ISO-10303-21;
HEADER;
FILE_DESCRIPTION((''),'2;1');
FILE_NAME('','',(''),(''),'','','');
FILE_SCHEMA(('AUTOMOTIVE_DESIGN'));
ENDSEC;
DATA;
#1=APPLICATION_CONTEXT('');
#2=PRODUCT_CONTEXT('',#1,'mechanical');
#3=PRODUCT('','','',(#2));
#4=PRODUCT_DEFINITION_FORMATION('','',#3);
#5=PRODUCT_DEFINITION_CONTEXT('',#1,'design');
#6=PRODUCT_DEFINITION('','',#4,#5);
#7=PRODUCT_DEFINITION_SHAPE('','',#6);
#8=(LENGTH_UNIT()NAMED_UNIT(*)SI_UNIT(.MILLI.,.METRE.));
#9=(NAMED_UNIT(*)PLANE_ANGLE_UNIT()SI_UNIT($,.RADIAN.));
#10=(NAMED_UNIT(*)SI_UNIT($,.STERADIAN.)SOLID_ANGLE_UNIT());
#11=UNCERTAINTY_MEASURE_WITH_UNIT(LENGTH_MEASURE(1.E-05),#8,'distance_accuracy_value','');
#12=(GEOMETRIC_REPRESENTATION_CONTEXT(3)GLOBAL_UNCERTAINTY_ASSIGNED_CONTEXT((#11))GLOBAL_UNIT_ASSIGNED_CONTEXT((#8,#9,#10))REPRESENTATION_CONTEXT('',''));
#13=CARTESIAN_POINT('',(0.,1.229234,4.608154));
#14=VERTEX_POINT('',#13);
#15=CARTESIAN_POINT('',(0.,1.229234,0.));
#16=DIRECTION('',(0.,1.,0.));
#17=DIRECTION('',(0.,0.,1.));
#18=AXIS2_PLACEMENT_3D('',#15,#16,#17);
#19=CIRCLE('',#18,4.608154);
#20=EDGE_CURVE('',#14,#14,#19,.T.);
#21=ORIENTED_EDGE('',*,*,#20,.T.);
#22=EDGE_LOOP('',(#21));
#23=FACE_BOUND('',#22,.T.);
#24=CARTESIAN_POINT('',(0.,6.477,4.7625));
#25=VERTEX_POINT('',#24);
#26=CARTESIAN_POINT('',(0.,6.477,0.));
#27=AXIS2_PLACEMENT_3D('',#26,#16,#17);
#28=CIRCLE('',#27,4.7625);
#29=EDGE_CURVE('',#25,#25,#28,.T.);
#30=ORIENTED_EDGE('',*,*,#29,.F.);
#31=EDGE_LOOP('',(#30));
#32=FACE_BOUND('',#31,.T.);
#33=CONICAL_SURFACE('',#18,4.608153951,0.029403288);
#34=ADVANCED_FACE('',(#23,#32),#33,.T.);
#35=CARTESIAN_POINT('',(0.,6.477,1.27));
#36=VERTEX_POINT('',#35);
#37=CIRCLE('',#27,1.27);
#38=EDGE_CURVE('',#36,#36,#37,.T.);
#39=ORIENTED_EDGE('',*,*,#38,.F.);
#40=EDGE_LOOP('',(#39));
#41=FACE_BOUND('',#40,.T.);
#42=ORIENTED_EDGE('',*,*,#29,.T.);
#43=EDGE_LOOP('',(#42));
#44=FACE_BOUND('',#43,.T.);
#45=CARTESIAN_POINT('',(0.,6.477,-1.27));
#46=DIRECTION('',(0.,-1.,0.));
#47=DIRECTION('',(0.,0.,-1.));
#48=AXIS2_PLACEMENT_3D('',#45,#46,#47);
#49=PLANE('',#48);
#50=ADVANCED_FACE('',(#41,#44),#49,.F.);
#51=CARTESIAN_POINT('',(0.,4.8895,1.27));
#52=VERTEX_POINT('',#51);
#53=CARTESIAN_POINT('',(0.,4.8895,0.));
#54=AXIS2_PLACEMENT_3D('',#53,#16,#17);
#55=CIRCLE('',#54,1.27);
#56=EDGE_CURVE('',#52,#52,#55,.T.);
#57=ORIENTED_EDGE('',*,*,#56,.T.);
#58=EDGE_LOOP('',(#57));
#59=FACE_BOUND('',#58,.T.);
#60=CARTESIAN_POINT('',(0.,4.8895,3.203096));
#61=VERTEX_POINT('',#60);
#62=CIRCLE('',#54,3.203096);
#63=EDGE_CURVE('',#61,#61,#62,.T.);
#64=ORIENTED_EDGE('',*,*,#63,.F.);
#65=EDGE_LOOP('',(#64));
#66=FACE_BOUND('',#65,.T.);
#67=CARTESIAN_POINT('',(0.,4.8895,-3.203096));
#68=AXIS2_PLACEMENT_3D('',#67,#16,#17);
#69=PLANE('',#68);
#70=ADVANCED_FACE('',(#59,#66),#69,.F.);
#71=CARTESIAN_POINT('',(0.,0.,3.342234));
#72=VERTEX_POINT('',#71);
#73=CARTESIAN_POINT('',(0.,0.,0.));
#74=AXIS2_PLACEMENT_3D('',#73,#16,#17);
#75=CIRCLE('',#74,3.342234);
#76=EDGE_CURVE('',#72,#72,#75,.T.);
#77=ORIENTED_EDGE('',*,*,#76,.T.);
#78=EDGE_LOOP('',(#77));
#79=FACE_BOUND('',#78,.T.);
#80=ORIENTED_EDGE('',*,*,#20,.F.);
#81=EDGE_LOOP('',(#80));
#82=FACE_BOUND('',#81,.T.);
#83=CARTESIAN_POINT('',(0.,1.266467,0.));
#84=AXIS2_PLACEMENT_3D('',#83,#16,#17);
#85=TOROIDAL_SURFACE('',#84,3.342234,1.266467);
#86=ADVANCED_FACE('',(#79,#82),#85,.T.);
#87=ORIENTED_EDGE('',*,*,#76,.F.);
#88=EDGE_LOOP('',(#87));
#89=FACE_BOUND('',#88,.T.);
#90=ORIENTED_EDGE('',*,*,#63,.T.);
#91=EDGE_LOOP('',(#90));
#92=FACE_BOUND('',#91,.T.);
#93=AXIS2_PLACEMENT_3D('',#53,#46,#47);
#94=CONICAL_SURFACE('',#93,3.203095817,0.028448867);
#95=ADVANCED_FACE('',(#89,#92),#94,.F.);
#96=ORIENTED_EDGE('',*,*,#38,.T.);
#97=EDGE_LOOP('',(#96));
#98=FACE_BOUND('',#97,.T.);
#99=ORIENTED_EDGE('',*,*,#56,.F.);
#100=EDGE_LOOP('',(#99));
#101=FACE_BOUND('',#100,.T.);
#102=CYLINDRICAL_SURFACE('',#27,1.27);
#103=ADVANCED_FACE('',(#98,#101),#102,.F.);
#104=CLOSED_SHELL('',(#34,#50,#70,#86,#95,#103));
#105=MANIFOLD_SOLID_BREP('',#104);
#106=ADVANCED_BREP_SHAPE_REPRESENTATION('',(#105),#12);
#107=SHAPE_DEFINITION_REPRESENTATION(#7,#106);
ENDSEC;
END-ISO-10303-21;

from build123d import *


with BuildPart() as part:
    # Sketch1 → Revolve1 (revolve)
    with BuildSketch(Plane(origin=(0, 0, 0), x_dir=(0, 0, -1), z_dir=(1, 0, 0)), mode=Mode.PRIVATE) as revolve1_sk:
        with BuildLine():
            Line((1.27, 6.477), (4.7625, 6.477))
            Line((4.7625, 6.477), (4.608153951, 1.229234349))
            ThreePointArc((4.608153951, 1.229234349), (4.224499665, 0.357871203), (3.34223409, 0))
            Line((3.34223409, 0), (3.203095817, 4.8895))
            Line((3.203095817, 4.8895), (1.27, 4.8895))
            Line((1.27, 4.8895), (1.27, 6.477))
        make_face()
    revolve(revolve1_sk.sketch.rotate(Axis((0, 6.477, 0), (0, -1, 0)), 180), axis=Axis((0, 6.477, 0), (0, -1, 0)))


solid = part.part
